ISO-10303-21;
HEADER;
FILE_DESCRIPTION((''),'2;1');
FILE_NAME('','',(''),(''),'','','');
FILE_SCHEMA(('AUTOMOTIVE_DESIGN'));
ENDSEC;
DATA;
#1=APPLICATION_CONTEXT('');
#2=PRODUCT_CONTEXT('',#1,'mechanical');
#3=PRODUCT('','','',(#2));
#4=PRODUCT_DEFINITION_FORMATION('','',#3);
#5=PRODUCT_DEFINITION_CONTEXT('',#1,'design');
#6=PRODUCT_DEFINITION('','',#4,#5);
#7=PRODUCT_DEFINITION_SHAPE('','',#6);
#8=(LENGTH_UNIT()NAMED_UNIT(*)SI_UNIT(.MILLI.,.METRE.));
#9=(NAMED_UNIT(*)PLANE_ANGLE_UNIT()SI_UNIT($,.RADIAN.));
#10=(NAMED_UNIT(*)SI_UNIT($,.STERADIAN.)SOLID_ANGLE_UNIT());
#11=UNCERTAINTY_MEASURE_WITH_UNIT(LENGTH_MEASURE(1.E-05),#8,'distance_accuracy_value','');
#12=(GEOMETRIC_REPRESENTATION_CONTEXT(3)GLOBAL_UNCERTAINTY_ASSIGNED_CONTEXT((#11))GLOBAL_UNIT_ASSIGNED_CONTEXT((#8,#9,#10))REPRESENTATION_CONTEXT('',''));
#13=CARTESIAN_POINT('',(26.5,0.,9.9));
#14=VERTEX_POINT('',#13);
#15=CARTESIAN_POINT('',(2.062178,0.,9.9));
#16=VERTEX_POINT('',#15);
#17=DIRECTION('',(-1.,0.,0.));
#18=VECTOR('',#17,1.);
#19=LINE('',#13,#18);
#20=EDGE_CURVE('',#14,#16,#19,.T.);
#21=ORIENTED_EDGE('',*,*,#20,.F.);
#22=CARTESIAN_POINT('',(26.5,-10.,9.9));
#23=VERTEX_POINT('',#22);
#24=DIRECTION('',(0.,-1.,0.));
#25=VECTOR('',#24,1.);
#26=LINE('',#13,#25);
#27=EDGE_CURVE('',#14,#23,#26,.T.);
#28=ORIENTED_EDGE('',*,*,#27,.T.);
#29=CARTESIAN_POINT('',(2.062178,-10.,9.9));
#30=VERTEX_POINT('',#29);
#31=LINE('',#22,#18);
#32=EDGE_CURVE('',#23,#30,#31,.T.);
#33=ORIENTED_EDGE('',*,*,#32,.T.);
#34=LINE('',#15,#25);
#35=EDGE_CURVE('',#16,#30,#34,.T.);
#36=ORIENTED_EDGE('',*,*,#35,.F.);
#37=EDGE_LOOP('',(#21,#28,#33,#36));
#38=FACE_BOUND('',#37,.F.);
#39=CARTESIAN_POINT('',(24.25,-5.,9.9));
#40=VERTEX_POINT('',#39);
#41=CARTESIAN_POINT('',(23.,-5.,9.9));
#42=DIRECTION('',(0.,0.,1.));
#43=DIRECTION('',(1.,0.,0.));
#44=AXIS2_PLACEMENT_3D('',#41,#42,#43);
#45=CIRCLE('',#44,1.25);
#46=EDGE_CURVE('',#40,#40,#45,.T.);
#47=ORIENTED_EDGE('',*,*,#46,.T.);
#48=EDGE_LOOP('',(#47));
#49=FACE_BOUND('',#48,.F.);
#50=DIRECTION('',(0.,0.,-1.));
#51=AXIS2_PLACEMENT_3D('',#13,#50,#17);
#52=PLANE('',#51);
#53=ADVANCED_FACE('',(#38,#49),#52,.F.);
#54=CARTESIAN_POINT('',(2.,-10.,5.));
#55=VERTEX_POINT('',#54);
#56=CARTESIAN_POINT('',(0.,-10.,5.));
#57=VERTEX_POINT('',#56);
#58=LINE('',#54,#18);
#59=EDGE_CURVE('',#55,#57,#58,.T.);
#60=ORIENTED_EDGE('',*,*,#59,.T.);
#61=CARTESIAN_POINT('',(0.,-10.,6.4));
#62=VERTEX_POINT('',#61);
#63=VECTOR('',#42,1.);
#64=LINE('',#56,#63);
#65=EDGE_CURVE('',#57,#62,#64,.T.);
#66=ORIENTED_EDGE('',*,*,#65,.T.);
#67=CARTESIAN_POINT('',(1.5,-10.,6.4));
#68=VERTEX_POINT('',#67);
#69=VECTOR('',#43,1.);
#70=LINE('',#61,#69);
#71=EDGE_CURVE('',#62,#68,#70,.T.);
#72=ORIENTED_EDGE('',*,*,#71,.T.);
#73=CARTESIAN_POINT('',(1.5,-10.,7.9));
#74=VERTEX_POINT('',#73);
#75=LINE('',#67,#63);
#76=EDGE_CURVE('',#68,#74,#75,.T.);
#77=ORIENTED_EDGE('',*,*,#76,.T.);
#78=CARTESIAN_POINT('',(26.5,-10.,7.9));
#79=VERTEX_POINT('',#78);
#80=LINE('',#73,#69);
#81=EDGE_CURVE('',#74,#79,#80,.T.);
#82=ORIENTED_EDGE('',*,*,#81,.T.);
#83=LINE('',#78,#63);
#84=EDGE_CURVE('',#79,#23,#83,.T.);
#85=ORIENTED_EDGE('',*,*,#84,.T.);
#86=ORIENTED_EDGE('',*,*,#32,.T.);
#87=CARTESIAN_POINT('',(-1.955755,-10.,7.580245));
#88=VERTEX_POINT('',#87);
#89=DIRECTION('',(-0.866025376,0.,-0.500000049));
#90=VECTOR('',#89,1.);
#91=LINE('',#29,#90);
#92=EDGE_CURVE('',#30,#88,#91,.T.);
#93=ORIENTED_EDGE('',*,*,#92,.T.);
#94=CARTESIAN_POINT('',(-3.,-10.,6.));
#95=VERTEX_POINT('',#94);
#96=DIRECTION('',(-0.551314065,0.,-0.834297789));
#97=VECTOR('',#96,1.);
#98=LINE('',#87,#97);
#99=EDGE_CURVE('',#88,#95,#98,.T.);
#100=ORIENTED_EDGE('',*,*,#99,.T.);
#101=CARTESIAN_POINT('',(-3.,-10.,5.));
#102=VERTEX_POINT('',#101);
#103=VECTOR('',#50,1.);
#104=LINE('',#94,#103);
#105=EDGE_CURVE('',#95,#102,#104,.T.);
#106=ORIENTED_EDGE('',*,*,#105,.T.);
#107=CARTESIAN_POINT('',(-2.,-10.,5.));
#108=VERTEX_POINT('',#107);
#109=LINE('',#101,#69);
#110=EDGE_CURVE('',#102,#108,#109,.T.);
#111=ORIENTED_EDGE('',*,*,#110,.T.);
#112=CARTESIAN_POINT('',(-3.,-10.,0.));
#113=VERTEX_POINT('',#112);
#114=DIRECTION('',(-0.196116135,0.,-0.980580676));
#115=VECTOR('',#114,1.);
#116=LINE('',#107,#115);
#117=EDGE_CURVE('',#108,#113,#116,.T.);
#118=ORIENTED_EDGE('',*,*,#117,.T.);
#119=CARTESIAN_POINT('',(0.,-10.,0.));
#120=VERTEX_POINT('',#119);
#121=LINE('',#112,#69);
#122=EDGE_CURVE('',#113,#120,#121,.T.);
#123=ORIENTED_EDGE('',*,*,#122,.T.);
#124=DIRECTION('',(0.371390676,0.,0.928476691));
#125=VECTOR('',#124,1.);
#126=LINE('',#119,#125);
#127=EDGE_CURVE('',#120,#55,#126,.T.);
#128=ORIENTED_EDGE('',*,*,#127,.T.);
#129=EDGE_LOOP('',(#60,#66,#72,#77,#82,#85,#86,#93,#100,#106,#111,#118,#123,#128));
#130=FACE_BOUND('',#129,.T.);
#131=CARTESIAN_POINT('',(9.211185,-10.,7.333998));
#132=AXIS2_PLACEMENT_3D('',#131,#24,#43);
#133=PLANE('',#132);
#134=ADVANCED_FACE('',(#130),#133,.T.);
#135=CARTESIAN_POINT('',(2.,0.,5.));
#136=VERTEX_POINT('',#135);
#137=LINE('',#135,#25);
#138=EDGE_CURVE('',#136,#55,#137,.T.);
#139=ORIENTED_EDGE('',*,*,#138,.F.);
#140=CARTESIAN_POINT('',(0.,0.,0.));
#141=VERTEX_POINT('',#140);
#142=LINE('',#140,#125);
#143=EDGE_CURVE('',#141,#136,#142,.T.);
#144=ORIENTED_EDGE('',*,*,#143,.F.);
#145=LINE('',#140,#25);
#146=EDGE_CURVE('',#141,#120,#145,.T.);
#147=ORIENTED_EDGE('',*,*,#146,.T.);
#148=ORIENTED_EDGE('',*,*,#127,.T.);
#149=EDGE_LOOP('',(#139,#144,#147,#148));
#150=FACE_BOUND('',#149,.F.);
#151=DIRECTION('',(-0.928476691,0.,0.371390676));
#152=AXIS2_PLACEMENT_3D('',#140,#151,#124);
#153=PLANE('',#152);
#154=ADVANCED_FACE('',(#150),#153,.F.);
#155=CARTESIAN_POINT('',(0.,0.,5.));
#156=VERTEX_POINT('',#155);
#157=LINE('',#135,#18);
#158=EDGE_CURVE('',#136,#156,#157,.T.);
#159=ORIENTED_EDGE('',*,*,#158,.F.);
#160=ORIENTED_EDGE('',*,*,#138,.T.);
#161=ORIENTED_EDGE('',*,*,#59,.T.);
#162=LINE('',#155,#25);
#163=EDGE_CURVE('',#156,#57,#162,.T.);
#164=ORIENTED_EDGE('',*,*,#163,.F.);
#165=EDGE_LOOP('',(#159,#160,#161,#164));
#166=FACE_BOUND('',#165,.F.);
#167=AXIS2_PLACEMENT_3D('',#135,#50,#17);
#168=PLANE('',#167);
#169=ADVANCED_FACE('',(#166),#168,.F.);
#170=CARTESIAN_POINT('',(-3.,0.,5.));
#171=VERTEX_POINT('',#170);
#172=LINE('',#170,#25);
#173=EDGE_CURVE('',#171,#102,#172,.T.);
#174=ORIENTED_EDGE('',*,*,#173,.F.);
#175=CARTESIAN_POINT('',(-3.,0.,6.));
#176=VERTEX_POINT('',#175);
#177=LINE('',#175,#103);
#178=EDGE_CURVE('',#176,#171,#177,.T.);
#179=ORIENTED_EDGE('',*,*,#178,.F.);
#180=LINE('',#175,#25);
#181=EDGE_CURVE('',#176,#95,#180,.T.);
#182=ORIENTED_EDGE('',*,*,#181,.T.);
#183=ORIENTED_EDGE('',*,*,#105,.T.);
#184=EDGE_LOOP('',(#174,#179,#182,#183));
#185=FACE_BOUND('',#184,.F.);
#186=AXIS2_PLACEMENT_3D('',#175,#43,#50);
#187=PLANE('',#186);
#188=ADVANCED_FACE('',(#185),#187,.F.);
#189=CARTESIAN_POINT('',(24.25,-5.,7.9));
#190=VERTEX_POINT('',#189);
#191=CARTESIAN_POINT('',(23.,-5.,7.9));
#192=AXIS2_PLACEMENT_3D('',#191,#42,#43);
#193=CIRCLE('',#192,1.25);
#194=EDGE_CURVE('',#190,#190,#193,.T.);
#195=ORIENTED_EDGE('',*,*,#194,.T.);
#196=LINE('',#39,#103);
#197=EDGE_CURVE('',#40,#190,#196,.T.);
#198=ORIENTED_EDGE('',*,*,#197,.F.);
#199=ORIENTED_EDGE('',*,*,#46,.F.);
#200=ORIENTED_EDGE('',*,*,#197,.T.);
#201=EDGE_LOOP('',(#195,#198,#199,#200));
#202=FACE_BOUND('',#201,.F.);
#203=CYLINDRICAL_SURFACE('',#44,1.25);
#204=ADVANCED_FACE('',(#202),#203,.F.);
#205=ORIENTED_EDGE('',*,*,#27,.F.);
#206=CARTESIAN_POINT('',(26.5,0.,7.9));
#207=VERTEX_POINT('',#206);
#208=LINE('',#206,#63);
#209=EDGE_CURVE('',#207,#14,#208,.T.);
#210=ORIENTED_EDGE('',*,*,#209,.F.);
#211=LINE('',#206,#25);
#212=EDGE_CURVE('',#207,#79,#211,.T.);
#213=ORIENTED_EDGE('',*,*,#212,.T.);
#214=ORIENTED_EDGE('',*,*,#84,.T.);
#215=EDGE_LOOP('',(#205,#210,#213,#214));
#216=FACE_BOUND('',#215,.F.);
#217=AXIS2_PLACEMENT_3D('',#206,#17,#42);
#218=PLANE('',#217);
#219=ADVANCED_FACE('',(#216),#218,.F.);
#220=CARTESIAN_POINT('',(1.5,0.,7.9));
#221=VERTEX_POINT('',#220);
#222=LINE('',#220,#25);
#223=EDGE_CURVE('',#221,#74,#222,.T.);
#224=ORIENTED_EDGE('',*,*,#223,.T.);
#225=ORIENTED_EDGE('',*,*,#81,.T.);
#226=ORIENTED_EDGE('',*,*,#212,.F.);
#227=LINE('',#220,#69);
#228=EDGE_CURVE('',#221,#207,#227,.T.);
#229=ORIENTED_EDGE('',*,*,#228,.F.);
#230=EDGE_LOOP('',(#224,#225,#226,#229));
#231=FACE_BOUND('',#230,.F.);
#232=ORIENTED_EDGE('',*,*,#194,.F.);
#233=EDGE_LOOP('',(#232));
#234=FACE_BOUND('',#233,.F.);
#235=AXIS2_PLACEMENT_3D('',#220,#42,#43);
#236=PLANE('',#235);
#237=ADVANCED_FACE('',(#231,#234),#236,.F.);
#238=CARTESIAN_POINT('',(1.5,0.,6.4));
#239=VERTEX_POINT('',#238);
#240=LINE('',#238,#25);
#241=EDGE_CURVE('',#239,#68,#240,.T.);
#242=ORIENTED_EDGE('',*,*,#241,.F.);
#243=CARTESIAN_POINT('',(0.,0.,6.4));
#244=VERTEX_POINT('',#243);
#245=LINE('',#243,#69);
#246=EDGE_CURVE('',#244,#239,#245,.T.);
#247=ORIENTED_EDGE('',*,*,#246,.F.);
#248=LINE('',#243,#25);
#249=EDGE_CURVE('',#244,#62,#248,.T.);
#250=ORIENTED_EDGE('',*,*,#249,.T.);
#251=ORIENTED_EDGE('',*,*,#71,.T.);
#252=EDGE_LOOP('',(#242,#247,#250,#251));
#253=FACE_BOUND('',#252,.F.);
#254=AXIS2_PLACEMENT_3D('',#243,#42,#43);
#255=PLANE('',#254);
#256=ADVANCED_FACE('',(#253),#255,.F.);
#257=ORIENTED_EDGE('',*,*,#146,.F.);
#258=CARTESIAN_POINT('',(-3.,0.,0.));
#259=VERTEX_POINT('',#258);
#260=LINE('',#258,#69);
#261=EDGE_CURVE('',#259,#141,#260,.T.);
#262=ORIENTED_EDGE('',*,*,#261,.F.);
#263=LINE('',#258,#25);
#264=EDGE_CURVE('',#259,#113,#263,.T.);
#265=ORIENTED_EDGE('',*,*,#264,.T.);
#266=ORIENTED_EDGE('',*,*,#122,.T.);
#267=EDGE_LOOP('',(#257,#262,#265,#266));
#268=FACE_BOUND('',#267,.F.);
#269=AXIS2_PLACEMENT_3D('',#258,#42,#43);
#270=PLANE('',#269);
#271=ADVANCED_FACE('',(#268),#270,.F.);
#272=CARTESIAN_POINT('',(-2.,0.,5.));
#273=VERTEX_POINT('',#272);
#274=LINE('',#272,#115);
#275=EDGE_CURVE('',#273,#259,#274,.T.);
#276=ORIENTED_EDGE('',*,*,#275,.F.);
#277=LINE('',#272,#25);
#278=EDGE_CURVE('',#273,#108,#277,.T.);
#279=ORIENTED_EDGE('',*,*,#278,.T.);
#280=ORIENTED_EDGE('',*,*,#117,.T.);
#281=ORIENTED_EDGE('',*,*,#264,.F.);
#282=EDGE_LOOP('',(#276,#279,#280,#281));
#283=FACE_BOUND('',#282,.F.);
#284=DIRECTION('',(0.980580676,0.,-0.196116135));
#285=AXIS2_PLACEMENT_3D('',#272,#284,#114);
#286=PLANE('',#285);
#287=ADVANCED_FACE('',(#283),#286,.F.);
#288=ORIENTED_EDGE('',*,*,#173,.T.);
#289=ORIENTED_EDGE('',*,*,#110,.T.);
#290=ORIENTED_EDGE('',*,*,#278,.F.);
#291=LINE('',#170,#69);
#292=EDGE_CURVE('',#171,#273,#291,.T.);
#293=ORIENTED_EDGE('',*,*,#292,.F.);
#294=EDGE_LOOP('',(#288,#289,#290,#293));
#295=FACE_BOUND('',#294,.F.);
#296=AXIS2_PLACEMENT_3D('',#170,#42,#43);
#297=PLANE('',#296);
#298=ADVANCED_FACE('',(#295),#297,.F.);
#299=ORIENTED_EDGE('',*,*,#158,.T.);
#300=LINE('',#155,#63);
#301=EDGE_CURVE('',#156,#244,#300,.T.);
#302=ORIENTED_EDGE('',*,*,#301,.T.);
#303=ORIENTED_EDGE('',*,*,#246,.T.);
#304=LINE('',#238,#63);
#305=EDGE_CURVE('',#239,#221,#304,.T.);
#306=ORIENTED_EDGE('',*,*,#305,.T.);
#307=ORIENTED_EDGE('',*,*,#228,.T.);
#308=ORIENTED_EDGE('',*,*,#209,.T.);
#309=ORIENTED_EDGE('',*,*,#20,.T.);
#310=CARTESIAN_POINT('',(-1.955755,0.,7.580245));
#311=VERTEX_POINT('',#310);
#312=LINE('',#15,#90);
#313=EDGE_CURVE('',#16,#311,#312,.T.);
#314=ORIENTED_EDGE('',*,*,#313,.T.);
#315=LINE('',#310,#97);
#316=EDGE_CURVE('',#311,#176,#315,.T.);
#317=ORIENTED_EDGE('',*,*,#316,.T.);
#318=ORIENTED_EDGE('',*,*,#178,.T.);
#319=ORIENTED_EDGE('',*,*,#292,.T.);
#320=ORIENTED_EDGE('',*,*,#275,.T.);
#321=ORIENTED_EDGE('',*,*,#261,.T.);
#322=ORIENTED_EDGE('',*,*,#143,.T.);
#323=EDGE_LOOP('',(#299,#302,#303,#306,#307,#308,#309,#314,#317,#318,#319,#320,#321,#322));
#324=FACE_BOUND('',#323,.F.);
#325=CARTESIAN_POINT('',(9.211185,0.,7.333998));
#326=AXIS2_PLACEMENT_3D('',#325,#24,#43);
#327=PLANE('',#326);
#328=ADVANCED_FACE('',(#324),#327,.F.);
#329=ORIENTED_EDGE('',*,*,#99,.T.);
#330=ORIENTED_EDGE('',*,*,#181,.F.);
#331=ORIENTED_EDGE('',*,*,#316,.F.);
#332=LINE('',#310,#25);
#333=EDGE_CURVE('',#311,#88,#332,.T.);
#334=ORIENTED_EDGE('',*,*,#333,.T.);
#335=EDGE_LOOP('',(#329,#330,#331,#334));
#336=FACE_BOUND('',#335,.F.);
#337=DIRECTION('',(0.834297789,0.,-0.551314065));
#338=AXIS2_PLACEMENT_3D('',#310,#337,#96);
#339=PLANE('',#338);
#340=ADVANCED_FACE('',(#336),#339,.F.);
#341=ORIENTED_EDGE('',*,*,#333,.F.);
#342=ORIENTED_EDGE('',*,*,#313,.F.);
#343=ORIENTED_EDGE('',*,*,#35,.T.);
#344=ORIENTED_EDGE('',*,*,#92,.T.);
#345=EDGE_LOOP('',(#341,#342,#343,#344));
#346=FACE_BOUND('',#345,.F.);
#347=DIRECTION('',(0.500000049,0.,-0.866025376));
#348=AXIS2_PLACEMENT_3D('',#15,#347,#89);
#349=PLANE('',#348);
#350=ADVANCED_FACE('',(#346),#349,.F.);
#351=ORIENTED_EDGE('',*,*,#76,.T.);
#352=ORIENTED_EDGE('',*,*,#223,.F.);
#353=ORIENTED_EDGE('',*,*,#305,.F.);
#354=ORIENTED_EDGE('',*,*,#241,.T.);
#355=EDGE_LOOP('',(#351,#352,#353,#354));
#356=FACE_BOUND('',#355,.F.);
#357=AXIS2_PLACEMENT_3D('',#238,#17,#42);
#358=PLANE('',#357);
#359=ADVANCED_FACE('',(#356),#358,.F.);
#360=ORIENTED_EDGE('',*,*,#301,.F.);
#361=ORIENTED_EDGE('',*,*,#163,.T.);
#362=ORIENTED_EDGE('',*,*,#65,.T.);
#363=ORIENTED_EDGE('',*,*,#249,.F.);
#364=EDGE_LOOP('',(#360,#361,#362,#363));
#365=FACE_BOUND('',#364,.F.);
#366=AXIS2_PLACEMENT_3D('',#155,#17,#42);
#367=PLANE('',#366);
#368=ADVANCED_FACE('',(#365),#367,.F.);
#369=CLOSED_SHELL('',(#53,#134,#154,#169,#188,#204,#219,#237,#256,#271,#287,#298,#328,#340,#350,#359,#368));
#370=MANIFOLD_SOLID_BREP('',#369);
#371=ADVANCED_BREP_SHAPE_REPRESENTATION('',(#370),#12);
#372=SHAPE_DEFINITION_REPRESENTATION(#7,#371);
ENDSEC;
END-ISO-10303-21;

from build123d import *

# Parameters (mm, degrees)
F1_DEPTH = 10
F2_R     = 1.25
F3_DEPTH = 25


with BuildPart() as f1:
    # F0 (on Front) → F1 (new body)
    with BuildSketch(Plane.XZ):
        Polygon((-3, 0), (0, 0), (2, 5), (0, 5), (0, 6.4), (1.5, 6.4), (1.5, 7.9), (26.5, 7.9), (26.5, 9.9), (2.062178, 9.9), (-1.955755, 7.580245), (-3, 6), (-3, 5), (-2, 5), align=None)
    extrude(amount=F1_DEPTH)

    # F2 (on face) → F3 (cut)
    with BuildSketch(Plane.XY.offset(9.9)):
        with Locations((23, -5)):
            Circle(F2_R)
    extrude(amount=-F3_DEPTH, mode=Mode.SUBTRACT)


solid = f1.part
